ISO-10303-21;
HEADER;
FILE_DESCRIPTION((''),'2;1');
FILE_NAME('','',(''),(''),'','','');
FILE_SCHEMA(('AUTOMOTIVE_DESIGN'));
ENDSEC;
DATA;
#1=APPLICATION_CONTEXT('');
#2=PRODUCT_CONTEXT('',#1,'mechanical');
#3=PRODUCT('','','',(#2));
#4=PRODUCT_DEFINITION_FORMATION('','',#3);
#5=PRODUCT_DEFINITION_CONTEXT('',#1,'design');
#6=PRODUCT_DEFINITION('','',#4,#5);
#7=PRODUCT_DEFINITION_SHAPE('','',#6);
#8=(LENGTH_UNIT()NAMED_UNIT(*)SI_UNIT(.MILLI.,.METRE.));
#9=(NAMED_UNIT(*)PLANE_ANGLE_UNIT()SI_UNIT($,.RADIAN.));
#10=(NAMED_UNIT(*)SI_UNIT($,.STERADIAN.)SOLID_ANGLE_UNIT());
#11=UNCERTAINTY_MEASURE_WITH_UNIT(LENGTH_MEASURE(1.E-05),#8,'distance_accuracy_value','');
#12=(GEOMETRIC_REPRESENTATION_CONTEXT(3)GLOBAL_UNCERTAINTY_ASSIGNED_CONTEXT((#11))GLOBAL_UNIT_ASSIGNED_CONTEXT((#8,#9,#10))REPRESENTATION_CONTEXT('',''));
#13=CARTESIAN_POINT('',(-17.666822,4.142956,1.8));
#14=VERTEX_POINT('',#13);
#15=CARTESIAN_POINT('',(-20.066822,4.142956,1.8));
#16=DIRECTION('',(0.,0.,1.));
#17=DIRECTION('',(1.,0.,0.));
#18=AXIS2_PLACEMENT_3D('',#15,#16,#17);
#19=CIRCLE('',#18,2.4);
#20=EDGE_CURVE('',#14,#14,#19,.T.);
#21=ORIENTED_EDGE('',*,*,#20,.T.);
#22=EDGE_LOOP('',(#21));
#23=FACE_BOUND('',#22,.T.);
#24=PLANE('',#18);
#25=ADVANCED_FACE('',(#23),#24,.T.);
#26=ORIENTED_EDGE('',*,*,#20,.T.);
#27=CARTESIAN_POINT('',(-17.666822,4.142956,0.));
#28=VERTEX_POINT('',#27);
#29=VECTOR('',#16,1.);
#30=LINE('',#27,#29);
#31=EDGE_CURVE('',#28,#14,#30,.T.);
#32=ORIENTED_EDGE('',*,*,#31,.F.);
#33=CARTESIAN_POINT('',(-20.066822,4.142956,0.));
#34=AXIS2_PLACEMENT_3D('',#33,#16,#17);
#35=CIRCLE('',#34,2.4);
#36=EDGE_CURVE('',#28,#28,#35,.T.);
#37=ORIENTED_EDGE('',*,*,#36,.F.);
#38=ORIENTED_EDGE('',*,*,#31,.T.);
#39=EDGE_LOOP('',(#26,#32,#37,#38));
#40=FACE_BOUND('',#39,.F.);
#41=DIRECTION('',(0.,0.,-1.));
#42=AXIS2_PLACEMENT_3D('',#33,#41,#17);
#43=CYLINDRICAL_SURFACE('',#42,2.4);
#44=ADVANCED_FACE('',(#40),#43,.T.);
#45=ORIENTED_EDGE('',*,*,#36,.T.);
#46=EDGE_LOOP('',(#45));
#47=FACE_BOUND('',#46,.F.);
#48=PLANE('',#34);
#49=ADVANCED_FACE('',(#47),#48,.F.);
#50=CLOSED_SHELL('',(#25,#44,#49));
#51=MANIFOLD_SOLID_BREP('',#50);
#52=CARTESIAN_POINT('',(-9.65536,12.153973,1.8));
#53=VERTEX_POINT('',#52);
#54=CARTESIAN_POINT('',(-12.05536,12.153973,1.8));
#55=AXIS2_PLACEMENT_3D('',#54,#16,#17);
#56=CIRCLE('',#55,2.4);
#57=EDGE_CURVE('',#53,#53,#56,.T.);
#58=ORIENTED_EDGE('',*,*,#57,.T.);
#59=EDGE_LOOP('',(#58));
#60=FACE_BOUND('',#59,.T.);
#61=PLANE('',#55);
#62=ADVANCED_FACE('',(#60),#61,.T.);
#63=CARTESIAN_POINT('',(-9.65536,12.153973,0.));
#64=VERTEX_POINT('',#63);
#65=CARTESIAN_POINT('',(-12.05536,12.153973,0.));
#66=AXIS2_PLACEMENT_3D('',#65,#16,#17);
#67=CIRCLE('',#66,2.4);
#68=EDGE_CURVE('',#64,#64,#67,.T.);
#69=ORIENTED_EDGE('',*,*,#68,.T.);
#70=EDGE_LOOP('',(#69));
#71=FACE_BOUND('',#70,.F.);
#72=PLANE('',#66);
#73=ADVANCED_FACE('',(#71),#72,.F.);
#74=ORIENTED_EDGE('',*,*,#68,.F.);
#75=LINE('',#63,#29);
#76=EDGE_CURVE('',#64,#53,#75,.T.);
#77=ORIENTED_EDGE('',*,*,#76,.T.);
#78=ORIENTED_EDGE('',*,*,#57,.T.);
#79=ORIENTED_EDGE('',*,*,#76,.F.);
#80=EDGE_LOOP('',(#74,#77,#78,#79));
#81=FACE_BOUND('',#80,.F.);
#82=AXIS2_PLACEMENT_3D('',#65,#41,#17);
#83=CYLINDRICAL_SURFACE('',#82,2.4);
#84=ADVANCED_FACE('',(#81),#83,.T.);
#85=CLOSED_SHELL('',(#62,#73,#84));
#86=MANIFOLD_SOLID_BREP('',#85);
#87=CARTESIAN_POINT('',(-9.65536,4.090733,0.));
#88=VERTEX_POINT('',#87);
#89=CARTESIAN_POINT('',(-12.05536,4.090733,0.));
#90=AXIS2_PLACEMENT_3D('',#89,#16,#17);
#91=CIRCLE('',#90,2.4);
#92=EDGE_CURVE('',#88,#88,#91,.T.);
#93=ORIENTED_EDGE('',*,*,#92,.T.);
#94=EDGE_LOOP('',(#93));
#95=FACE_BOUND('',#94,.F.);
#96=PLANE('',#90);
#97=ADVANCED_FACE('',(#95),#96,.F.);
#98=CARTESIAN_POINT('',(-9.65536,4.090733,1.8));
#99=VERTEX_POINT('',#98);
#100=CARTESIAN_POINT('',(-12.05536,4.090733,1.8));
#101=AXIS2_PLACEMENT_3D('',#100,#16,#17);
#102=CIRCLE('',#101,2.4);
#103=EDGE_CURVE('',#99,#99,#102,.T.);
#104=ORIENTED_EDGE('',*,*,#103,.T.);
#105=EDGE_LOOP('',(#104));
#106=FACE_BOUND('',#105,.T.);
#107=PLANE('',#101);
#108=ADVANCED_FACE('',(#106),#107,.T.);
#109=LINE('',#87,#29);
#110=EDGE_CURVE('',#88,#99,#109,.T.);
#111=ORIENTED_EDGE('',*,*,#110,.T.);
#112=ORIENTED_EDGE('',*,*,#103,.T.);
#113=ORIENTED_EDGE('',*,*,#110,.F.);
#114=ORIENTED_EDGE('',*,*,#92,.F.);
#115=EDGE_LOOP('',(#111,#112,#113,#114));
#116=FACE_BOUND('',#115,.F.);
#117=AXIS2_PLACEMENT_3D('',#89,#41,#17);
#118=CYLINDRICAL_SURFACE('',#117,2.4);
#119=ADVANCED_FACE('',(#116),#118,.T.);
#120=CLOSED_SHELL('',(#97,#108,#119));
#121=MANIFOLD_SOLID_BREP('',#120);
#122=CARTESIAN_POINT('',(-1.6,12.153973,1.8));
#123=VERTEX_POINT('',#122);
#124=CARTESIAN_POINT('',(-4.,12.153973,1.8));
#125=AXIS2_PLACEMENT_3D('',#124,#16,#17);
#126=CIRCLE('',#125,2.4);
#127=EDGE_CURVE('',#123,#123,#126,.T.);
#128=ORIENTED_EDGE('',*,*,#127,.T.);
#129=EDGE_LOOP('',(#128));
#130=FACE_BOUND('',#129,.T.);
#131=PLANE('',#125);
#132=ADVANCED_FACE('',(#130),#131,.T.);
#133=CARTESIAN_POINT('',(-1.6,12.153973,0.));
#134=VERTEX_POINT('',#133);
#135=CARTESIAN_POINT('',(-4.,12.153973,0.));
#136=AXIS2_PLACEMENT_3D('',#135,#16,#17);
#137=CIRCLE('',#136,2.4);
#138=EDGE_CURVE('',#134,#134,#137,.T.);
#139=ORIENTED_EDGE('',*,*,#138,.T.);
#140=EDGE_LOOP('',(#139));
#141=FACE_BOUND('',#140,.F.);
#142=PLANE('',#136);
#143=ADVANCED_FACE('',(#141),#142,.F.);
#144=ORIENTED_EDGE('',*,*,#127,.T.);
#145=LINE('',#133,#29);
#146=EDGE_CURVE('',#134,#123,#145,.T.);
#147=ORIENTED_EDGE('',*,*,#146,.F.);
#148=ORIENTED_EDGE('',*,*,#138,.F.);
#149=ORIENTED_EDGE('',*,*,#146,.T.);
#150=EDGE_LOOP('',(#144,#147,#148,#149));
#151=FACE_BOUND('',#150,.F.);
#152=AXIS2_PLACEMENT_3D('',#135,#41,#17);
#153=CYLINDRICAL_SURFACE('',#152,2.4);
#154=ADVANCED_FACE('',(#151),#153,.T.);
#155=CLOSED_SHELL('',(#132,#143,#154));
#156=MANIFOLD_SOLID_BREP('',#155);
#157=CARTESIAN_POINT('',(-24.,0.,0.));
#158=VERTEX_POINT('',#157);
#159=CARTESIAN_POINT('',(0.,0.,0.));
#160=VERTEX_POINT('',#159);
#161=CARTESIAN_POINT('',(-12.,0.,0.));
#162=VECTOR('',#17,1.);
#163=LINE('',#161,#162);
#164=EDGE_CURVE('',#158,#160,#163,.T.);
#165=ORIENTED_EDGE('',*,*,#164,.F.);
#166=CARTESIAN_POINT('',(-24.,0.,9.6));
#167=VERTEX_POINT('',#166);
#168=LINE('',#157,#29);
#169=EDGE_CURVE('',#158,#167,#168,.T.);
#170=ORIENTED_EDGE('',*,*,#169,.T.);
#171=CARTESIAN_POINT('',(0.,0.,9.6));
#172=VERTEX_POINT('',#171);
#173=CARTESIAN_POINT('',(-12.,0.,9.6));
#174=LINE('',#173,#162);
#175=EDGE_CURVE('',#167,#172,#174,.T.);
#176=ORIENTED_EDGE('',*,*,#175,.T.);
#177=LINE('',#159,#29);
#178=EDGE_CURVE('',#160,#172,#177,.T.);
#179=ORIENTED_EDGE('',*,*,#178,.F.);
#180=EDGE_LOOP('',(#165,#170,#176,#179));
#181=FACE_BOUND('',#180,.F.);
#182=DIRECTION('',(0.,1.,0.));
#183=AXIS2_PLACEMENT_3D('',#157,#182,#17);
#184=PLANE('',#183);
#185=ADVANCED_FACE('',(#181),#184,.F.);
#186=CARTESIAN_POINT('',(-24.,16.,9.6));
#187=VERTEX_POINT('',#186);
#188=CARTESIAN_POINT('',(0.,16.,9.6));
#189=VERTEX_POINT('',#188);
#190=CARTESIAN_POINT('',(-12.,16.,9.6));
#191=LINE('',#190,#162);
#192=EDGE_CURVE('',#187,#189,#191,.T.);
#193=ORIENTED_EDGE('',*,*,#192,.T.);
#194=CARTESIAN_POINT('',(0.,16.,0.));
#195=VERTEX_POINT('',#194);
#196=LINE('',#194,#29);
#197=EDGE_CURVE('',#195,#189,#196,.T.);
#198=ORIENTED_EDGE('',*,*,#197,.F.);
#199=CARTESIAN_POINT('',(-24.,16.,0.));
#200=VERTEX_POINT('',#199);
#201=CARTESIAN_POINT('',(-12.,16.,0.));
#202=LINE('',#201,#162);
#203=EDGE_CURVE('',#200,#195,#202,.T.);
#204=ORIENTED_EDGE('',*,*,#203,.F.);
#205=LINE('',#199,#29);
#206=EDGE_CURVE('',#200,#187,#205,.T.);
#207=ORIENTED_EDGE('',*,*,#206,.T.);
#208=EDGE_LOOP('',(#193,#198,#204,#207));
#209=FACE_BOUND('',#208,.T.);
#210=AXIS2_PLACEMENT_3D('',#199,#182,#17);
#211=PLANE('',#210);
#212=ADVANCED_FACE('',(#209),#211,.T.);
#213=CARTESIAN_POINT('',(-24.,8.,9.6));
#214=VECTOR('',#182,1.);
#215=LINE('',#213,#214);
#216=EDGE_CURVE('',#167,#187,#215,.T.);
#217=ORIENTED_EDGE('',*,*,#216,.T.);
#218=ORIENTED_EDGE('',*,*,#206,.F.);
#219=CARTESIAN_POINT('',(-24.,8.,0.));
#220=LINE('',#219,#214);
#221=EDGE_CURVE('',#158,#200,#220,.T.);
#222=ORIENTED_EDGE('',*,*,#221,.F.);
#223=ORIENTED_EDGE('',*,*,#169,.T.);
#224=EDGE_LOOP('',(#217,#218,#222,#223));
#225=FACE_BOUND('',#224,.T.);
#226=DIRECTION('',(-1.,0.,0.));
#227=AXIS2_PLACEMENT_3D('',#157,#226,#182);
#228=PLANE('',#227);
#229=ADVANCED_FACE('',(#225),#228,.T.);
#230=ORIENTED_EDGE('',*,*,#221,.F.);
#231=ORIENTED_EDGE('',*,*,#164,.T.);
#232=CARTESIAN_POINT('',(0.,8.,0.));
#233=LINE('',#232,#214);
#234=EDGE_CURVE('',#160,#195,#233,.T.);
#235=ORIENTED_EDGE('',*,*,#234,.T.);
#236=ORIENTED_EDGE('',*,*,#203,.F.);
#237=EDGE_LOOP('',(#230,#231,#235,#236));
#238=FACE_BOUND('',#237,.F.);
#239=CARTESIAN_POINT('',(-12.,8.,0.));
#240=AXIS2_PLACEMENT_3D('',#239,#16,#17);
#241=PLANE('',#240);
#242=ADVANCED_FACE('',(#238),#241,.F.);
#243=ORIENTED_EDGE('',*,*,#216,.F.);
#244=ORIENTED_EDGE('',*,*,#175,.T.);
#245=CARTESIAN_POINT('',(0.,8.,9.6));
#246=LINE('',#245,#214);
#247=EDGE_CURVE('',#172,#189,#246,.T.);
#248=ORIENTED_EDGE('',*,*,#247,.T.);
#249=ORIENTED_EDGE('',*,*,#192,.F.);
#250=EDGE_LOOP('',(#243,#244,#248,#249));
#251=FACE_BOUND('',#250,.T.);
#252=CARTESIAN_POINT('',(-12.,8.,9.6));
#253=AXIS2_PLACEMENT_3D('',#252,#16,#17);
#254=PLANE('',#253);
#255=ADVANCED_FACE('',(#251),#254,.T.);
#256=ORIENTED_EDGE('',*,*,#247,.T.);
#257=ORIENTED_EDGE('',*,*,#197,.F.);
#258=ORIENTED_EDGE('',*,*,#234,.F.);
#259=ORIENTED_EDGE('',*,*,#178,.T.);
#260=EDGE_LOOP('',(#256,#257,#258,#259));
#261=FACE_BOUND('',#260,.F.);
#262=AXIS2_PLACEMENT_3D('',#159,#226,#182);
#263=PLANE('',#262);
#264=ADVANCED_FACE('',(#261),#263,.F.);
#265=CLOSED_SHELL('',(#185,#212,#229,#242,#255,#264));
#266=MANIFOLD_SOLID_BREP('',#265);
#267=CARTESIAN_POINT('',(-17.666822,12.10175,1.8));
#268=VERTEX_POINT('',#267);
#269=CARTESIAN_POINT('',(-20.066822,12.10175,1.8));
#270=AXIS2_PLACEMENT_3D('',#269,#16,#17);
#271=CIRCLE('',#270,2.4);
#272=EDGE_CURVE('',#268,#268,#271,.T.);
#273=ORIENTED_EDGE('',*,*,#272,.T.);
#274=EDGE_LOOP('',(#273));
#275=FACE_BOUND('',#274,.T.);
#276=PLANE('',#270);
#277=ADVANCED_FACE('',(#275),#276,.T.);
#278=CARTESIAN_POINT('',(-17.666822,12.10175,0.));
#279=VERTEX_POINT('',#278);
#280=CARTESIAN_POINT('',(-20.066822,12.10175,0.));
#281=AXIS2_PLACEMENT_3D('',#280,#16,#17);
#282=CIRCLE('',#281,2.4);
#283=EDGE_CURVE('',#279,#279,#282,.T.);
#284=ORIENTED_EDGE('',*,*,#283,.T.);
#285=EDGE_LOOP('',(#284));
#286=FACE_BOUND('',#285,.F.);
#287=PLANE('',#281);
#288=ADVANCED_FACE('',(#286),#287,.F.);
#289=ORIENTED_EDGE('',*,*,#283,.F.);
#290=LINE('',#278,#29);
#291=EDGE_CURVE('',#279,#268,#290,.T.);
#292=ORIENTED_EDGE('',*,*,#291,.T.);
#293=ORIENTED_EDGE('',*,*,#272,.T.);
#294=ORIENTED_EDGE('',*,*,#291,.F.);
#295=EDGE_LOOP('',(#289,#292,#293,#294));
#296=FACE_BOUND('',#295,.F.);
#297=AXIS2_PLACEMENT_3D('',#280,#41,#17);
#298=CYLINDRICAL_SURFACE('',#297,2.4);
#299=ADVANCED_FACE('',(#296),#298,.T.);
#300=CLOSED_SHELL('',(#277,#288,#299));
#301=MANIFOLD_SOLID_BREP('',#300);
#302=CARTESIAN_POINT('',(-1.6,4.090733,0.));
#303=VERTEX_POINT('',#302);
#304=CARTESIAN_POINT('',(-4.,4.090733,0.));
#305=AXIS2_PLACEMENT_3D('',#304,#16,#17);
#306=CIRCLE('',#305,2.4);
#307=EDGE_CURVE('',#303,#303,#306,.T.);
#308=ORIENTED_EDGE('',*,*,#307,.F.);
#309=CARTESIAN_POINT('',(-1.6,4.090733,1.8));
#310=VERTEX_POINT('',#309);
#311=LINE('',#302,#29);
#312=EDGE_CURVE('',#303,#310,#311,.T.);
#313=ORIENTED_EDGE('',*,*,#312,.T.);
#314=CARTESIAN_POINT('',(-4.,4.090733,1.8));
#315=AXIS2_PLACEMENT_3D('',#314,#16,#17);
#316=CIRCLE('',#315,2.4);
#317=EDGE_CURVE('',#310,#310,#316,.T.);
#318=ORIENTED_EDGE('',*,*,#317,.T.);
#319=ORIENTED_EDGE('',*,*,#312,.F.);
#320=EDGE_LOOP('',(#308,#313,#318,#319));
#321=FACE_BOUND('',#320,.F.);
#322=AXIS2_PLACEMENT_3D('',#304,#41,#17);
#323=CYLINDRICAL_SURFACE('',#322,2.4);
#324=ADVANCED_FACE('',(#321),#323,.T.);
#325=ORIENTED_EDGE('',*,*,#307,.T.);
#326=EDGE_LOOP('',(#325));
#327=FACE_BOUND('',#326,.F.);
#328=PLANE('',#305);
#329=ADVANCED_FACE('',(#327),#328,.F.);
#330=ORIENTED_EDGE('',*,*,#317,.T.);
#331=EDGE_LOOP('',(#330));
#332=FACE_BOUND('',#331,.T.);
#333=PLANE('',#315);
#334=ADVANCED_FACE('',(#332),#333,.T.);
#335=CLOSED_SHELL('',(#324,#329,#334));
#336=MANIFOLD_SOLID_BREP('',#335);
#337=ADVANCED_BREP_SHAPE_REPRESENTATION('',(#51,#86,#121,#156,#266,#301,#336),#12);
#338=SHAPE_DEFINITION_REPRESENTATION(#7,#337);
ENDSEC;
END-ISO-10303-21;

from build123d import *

# Parameters (mm, degrees)
F0_W     = 24
F0_H     = 16
F1_DEPTH = 9.6
F2_R     = 2.4
F3_DEPTH = 1.8


with BuildPart() as f1:
    # F0 (on Top) → F1 (new body)
    with BuildSketch(Plane.XY):
        with Locations((-12, 8)):
            Rectangle(F0_W, F0_H)
    extrude(amount=F1_DEPTH)


with BuildPart() as f3:
    # F2 (on Top) → F3 (new body)
    with BuildSketch(Plane.XY):
        with Locations((-4, 12.153973)):
            Circle(F2_R)
        with Locations((-12.05536, 12.153973)):
            Circle(F2_R)
        with Locations((-20.066822, 12.10175)):
            Circle(F2_R)
        with Locations((-20.066822, 4.142956)):
            Circle(F2_R)
        with Locations((-12.05536, 4.090733)):
            Circle(F2_R)
        with Locations((-4, 4.090733)):
            Circle(F2_R)
    extrude(amount=F3_DEPTH)


solid = Compound([f1.part, f3.part])
